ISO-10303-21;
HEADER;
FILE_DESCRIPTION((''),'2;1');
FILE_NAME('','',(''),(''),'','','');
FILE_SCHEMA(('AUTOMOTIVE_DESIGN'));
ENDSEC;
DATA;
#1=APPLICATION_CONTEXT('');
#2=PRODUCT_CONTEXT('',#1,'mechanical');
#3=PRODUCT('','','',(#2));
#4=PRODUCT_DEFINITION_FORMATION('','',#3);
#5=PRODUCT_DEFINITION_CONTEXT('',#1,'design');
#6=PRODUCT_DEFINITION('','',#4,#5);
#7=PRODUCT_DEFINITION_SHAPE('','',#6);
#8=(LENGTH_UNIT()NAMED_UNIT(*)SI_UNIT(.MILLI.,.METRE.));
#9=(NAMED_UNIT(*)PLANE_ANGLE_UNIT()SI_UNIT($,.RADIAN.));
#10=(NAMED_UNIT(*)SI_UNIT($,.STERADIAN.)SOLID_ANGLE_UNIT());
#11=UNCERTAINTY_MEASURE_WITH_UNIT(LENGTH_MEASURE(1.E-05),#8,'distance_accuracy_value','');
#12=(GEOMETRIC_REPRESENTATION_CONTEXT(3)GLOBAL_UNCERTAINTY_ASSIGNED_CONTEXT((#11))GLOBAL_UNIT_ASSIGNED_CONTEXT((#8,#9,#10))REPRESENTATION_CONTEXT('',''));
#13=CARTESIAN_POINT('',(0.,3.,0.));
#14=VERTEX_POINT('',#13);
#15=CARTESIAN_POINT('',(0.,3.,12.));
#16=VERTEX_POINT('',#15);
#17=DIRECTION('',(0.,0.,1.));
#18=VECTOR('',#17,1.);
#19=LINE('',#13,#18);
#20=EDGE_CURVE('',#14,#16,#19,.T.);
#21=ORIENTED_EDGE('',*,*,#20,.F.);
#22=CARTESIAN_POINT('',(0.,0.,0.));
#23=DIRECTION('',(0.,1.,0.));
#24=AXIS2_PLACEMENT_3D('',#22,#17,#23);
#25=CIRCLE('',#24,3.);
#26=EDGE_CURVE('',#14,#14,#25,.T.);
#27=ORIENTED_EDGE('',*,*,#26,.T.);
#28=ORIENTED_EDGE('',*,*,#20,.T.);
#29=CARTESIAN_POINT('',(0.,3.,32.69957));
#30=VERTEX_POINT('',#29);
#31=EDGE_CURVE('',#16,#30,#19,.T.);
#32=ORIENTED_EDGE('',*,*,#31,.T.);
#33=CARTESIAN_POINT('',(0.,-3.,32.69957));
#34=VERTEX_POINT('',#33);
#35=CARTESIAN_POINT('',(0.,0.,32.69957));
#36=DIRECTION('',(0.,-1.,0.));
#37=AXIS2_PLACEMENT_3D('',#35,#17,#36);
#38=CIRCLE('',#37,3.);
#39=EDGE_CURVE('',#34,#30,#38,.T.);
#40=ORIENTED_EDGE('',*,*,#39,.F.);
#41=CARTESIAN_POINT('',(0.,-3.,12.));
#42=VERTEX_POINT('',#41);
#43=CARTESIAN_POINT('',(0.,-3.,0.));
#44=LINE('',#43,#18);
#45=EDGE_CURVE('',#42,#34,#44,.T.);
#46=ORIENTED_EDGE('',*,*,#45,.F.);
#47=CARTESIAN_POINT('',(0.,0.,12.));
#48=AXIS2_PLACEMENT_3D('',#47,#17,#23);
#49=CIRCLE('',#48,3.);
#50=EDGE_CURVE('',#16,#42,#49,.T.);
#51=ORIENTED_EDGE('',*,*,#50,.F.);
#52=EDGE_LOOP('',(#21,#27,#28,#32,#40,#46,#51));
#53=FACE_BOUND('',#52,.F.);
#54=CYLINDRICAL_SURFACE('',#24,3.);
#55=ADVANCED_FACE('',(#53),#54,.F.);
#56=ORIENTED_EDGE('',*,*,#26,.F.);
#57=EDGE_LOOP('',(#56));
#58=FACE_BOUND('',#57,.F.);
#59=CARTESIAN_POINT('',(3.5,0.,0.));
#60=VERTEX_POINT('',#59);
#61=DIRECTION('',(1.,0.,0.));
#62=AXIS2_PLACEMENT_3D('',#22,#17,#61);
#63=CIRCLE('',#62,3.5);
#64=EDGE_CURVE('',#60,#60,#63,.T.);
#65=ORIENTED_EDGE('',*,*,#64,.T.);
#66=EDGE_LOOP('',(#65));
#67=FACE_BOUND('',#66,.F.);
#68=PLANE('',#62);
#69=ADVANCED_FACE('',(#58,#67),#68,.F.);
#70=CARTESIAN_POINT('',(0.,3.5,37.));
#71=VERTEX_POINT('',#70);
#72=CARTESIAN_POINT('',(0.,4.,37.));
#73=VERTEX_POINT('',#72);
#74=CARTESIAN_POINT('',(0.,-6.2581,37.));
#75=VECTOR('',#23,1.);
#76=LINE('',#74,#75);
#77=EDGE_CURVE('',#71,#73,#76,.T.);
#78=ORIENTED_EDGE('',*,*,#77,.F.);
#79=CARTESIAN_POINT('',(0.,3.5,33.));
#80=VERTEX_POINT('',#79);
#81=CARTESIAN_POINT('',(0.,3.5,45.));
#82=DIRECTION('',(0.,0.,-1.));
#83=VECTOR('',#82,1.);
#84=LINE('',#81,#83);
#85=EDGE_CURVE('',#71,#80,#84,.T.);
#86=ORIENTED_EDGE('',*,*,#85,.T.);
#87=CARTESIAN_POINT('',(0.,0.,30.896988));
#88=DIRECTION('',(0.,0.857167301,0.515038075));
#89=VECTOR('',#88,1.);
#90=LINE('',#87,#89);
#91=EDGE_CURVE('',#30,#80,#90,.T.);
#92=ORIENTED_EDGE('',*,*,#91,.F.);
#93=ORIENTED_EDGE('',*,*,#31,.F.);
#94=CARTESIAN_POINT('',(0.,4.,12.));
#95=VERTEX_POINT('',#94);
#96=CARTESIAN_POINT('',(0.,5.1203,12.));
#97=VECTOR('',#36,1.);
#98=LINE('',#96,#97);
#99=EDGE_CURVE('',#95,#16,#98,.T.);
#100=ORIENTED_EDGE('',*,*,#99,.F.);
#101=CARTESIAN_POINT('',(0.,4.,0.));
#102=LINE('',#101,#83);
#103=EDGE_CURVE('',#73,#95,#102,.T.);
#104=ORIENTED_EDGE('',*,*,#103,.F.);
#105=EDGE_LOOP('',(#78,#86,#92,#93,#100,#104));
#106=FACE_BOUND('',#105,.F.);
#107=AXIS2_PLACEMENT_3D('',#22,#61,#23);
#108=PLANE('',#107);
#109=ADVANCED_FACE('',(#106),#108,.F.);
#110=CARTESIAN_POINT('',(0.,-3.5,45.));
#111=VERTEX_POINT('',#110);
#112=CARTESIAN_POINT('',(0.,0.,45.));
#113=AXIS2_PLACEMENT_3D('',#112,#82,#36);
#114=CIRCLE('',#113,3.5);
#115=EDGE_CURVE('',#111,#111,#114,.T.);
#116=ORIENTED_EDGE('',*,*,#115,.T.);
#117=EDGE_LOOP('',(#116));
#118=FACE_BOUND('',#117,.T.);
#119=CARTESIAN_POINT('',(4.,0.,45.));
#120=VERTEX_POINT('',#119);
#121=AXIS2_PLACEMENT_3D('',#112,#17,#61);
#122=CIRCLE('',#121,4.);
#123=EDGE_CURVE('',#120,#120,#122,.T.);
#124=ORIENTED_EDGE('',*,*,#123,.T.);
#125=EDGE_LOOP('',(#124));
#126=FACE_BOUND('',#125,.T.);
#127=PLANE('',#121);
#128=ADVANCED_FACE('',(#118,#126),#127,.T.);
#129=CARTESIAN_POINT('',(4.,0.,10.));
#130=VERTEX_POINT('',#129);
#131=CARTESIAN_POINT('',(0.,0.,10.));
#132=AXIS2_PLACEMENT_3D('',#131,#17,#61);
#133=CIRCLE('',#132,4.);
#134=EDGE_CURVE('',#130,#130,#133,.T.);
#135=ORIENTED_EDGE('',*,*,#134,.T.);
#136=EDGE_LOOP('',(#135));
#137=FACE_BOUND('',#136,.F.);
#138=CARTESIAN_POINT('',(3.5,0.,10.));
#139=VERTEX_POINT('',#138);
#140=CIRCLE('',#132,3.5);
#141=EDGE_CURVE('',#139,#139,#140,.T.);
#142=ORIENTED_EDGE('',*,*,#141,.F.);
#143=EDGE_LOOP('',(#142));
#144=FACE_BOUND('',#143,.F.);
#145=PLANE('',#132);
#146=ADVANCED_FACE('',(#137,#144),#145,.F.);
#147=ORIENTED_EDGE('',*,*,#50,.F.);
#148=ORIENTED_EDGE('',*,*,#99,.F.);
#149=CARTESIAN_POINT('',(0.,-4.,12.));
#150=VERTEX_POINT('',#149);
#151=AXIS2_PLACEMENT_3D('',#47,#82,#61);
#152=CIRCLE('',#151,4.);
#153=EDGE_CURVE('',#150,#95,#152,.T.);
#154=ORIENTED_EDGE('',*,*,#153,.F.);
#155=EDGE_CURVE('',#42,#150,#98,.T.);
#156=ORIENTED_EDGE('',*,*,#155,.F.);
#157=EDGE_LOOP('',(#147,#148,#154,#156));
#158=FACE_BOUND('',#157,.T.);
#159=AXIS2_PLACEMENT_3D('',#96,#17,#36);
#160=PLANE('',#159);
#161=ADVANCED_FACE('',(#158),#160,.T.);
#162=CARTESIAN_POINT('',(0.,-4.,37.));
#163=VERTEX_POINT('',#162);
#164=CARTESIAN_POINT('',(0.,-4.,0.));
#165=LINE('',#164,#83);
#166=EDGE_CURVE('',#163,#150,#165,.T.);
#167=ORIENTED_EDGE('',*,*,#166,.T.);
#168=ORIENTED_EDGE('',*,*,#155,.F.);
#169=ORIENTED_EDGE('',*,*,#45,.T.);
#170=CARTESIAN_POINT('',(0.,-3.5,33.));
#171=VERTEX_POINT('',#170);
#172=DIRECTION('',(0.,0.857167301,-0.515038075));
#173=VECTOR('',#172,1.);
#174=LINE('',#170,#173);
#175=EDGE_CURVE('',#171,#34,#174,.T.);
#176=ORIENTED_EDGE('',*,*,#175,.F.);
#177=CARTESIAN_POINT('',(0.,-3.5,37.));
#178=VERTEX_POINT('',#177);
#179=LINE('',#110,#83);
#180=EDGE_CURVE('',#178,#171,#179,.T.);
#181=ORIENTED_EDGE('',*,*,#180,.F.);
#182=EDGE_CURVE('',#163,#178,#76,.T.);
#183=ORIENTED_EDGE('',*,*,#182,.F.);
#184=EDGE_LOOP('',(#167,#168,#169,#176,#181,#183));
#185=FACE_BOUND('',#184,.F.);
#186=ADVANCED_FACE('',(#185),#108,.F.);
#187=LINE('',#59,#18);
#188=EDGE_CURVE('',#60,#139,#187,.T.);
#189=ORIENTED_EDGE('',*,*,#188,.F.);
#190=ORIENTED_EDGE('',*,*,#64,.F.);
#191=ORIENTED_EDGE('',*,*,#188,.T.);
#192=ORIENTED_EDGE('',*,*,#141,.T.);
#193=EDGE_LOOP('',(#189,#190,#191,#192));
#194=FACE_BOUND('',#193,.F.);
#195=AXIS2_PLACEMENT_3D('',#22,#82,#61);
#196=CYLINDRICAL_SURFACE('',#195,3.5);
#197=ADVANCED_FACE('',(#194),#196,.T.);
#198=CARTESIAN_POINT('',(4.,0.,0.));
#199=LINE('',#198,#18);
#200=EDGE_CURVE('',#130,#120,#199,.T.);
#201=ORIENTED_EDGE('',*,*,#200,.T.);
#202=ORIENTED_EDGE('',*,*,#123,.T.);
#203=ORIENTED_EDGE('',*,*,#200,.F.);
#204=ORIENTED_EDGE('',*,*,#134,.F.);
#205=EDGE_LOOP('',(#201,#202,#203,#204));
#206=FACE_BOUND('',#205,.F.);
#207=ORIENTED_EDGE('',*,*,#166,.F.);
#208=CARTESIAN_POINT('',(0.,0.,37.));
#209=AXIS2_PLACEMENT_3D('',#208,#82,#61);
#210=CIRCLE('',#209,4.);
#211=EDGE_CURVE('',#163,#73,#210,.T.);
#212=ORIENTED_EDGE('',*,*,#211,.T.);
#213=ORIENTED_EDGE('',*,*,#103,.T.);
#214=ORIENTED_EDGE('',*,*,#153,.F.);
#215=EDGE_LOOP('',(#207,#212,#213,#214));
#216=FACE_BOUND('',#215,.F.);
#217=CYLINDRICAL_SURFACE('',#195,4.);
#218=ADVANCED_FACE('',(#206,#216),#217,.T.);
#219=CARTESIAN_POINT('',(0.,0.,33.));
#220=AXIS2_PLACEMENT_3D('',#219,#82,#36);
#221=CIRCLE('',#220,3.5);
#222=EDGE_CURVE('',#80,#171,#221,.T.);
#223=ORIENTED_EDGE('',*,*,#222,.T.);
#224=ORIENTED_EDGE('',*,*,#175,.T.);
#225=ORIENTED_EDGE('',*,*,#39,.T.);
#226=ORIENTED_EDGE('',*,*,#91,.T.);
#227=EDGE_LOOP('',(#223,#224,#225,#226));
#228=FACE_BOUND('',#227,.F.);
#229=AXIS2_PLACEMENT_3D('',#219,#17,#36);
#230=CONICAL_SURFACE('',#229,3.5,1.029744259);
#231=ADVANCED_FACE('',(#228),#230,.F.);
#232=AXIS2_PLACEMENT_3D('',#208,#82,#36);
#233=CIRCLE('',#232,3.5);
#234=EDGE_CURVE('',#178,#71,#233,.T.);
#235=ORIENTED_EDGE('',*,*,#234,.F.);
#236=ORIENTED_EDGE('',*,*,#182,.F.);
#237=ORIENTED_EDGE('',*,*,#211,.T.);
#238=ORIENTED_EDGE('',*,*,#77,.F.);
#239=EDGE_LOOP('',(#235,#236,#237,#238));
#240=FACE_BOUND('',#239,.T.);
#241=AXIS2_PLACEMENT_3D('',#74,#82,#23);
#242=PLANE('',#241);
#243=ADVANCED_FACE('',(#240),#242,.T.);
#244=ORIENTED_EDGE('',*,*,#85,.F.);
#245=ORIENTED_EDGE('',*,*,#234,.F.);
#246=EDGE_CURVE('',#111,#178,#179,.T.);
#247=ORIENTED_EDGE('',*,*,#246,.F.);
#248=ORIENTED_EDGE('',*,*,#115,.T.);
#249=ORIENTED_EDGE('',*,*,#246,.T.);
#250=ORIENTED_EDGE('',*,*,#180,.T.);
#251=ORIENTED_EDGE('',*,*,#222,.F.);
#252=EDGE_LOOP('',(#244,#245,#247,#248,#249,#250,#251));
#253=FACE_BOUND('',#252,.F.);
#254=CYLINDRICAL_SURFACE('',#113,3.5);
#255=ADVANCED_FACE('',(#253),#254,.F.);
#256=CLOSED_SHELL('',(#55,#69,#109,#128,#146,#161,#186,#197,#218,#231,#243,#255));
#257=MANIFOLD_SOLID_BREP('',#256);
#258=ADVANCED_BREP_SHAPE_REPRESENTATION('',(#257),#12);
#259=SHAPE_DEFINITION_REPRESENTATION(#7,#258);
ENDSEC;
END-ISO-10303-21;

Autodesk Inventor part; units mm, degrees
ref_plane "YZ Plane" through (0, 0, 0) normal (1, 0, 0) x (0, 1, 0)
ref_plane "XZ Plane" through (0, 0, 0) normal (0, 1, 0) x (-1, 0, 0)
ref_plane "XY Plane" through (0, 0, 0) normal (0, 0, 1) x (1, 0, 0)
sketch "Skizze1" plane through (0, 0, 0) normal (0, 0, 1) x (1, 0, 0)
  circle A0 centre (0, 0) radius 4
  circle A1 centre (0, 0) radius 3.5
  dimension "d0" = 8
  dimension "d23" = 7
extrude "Extrusion1" add sketch "Skizze1" along normal blind 45 contours A0 | A1
hole "Bohrung1" at (0, 0, 0) direction (0, 0, 1) diameter 6 end through all
extrude "Extrusion5" cut sketch "Skizze1" along normal blind 10
thread "Gewinde3" size "M7x0.5" class "6g" standard "ANSI Metric M Profile" full length
sketch "Skizze5" plane through (0, 0, 45) normal (0, 0, 1) x (1, 0, 0)
  circle A0 centre (0, 0) radius 4 projected
hole "Bohrung2" at (0, 0, 45) direction (0, 0, -1) diameter 7 depth 12 tip angle 118
thread "Gewinde4" size "M7x0.5" class "6H" standard "ANSI Metric M Profile" full length
sketch "Skizze6" plane through (0, 0, 0) normal (1, 0, 0) x (0, 1, 0)
  line L0 (5.1203, 12) -> (-6.2581, 12)
  line L1 (-6.2581, 12) -> (-6.2581, 37)
  line L2 (-6.2581, 37) -> (5.1203, 37)
  line L3 (5.1203, 37) -> (5.1203, 12)
  point P0 (0, 0)
  dimension "d37" = 25
extrude "Extrusion6" cut sketch "Skizze6" against normal blind 10
properties part number "PEEKAufsatz1" material "Polyaryletherketon-Kunststoff"
